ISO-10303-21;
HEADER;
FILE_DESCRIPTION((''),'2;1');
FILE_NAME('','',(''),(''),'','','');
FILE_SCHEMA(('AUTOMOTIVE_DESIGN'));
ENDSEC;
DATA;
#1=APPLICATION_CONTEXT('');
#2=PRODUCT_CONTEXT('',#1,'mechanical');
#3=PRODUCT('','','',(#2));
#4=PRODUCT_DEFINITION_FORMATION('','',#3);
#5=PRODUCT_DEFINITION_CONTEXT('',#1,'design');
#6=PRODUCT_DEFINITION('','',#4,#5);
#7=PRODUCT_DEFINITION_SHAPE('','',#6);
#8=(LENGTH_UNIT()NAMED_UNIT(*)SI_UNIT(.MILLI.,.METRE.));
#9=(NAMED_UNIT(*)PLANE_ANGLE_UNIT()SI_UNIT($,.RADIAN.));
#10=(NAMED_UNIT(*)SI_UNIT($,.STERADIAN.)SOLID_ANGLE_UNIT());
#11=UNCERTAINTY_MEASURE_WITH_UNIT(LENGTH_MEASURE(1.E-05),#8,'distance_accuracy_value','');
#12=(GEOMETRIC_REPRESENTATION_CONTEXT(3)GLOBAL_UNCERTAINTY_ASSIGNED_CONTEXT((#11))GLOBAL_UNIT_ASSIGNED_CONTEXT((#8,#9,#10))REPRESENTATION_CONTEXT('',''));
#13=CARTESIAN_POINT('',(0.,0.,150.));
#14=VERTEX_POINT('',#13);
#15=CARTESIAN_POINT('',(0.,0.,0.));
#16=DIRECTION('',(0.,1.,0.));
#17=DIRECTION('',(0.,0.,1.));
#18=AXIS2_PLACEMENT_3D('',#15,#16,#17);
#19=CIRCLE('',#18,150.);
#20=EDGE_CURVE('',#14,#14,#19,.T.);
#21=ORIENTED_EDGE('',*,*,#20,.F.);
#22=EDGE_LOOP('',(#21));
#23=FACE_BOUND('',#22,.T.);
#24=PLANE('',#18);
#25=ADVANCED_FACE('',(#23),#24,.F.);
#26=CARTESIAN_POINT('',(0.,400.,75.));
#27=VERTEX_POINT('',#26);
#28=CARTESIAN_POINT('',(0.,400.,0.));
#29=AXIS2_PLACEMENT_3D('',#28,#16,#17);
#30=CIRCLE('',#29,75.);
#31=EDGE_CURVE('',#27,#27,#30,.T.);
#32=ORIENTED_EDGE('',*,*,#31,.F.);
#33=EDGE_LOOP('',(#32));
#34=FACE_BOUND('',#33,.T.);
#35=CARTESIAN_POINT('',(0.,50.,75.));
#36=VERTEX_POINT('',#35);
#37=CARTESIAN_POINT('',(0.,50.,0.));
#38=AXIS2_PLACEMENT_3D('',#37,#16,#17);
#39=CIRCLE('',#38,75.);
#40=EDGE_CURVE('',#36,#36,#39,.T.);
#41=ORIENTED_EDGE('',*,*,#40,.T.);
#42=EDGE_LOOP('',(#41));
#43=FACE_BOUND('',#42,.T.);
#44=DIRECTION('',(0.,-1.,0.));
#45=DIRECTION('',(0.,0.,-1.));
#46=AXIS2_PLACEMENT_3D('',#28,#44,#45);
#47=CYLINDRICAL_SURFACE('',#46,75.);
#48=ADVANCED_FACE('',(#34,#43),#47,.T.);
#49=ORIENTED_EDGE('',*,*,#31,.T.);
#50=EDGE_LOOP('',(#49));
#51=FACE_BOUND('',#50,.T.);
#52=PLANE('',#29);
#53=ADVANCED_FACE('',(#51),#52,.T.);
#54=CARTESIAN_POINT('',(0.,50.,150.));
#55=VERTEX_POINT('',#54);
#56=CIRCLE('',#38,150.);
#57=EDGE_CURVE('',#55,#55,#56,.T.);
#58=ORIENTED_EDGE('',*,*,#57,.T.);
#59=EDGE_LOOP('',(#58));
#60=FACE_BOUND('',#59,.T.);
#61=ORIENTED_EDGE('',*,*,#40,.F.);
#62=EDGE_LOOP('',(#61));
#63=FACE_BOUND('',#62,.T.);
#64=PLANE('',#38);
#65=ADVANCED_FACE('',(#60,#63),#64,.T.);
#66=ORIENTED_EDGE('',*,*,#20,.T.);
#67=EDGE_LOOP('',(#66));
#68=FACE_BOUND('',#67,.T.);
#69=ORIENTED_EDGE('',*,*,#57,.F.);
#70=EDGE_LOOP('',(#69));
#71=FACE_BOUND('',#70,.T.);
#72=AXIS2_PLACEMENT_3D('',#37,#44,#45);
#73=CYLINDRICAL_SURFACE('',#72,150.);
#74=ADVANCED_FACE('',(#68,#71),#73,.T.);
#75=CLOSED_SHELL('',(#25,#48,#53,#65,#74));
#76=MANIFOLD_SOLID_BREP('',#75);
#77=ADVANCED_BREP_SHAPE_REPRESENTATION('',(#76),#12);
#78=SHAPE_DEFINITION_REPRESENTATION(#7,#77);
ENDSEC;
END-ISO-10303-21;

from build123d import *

# Parameters (mm, degrees)
SKETCH_1_R      = 150
EXTRUDE_1_DEPTH = 50
SKETCH_2_R      = 75
EXTRUDE_2_DEPTH = 350


with BuildPart() as part:
    # 草图1 → 凸台-拉伸1 (new body)
    with BuildSketch(Plane(origin=(0, 0, 0), x_dir=(1, 0, 0), z_dir=(0, 1, 0))):
        with Locations(Location((0, 0, 0), (0, 0, 270))):
            Circle(SKETCH_1_R)
    extrude(amount=EXTRUDE_1_DEPTH)

    # 草图2 → 凸台-拉伸2 (add)
    with BuildSketch(Plane(origin=(0, 50, 0), x_dir=(1, 0, 0), z_dir=(0, 1, 0))):
        with Locations(Location((0, 0, 0), (0, 0, 270))):
            Circle(SKETCH_2_R)
    extrude(amount=EXTRUDE_2_DEPTH)


solid = part.part
